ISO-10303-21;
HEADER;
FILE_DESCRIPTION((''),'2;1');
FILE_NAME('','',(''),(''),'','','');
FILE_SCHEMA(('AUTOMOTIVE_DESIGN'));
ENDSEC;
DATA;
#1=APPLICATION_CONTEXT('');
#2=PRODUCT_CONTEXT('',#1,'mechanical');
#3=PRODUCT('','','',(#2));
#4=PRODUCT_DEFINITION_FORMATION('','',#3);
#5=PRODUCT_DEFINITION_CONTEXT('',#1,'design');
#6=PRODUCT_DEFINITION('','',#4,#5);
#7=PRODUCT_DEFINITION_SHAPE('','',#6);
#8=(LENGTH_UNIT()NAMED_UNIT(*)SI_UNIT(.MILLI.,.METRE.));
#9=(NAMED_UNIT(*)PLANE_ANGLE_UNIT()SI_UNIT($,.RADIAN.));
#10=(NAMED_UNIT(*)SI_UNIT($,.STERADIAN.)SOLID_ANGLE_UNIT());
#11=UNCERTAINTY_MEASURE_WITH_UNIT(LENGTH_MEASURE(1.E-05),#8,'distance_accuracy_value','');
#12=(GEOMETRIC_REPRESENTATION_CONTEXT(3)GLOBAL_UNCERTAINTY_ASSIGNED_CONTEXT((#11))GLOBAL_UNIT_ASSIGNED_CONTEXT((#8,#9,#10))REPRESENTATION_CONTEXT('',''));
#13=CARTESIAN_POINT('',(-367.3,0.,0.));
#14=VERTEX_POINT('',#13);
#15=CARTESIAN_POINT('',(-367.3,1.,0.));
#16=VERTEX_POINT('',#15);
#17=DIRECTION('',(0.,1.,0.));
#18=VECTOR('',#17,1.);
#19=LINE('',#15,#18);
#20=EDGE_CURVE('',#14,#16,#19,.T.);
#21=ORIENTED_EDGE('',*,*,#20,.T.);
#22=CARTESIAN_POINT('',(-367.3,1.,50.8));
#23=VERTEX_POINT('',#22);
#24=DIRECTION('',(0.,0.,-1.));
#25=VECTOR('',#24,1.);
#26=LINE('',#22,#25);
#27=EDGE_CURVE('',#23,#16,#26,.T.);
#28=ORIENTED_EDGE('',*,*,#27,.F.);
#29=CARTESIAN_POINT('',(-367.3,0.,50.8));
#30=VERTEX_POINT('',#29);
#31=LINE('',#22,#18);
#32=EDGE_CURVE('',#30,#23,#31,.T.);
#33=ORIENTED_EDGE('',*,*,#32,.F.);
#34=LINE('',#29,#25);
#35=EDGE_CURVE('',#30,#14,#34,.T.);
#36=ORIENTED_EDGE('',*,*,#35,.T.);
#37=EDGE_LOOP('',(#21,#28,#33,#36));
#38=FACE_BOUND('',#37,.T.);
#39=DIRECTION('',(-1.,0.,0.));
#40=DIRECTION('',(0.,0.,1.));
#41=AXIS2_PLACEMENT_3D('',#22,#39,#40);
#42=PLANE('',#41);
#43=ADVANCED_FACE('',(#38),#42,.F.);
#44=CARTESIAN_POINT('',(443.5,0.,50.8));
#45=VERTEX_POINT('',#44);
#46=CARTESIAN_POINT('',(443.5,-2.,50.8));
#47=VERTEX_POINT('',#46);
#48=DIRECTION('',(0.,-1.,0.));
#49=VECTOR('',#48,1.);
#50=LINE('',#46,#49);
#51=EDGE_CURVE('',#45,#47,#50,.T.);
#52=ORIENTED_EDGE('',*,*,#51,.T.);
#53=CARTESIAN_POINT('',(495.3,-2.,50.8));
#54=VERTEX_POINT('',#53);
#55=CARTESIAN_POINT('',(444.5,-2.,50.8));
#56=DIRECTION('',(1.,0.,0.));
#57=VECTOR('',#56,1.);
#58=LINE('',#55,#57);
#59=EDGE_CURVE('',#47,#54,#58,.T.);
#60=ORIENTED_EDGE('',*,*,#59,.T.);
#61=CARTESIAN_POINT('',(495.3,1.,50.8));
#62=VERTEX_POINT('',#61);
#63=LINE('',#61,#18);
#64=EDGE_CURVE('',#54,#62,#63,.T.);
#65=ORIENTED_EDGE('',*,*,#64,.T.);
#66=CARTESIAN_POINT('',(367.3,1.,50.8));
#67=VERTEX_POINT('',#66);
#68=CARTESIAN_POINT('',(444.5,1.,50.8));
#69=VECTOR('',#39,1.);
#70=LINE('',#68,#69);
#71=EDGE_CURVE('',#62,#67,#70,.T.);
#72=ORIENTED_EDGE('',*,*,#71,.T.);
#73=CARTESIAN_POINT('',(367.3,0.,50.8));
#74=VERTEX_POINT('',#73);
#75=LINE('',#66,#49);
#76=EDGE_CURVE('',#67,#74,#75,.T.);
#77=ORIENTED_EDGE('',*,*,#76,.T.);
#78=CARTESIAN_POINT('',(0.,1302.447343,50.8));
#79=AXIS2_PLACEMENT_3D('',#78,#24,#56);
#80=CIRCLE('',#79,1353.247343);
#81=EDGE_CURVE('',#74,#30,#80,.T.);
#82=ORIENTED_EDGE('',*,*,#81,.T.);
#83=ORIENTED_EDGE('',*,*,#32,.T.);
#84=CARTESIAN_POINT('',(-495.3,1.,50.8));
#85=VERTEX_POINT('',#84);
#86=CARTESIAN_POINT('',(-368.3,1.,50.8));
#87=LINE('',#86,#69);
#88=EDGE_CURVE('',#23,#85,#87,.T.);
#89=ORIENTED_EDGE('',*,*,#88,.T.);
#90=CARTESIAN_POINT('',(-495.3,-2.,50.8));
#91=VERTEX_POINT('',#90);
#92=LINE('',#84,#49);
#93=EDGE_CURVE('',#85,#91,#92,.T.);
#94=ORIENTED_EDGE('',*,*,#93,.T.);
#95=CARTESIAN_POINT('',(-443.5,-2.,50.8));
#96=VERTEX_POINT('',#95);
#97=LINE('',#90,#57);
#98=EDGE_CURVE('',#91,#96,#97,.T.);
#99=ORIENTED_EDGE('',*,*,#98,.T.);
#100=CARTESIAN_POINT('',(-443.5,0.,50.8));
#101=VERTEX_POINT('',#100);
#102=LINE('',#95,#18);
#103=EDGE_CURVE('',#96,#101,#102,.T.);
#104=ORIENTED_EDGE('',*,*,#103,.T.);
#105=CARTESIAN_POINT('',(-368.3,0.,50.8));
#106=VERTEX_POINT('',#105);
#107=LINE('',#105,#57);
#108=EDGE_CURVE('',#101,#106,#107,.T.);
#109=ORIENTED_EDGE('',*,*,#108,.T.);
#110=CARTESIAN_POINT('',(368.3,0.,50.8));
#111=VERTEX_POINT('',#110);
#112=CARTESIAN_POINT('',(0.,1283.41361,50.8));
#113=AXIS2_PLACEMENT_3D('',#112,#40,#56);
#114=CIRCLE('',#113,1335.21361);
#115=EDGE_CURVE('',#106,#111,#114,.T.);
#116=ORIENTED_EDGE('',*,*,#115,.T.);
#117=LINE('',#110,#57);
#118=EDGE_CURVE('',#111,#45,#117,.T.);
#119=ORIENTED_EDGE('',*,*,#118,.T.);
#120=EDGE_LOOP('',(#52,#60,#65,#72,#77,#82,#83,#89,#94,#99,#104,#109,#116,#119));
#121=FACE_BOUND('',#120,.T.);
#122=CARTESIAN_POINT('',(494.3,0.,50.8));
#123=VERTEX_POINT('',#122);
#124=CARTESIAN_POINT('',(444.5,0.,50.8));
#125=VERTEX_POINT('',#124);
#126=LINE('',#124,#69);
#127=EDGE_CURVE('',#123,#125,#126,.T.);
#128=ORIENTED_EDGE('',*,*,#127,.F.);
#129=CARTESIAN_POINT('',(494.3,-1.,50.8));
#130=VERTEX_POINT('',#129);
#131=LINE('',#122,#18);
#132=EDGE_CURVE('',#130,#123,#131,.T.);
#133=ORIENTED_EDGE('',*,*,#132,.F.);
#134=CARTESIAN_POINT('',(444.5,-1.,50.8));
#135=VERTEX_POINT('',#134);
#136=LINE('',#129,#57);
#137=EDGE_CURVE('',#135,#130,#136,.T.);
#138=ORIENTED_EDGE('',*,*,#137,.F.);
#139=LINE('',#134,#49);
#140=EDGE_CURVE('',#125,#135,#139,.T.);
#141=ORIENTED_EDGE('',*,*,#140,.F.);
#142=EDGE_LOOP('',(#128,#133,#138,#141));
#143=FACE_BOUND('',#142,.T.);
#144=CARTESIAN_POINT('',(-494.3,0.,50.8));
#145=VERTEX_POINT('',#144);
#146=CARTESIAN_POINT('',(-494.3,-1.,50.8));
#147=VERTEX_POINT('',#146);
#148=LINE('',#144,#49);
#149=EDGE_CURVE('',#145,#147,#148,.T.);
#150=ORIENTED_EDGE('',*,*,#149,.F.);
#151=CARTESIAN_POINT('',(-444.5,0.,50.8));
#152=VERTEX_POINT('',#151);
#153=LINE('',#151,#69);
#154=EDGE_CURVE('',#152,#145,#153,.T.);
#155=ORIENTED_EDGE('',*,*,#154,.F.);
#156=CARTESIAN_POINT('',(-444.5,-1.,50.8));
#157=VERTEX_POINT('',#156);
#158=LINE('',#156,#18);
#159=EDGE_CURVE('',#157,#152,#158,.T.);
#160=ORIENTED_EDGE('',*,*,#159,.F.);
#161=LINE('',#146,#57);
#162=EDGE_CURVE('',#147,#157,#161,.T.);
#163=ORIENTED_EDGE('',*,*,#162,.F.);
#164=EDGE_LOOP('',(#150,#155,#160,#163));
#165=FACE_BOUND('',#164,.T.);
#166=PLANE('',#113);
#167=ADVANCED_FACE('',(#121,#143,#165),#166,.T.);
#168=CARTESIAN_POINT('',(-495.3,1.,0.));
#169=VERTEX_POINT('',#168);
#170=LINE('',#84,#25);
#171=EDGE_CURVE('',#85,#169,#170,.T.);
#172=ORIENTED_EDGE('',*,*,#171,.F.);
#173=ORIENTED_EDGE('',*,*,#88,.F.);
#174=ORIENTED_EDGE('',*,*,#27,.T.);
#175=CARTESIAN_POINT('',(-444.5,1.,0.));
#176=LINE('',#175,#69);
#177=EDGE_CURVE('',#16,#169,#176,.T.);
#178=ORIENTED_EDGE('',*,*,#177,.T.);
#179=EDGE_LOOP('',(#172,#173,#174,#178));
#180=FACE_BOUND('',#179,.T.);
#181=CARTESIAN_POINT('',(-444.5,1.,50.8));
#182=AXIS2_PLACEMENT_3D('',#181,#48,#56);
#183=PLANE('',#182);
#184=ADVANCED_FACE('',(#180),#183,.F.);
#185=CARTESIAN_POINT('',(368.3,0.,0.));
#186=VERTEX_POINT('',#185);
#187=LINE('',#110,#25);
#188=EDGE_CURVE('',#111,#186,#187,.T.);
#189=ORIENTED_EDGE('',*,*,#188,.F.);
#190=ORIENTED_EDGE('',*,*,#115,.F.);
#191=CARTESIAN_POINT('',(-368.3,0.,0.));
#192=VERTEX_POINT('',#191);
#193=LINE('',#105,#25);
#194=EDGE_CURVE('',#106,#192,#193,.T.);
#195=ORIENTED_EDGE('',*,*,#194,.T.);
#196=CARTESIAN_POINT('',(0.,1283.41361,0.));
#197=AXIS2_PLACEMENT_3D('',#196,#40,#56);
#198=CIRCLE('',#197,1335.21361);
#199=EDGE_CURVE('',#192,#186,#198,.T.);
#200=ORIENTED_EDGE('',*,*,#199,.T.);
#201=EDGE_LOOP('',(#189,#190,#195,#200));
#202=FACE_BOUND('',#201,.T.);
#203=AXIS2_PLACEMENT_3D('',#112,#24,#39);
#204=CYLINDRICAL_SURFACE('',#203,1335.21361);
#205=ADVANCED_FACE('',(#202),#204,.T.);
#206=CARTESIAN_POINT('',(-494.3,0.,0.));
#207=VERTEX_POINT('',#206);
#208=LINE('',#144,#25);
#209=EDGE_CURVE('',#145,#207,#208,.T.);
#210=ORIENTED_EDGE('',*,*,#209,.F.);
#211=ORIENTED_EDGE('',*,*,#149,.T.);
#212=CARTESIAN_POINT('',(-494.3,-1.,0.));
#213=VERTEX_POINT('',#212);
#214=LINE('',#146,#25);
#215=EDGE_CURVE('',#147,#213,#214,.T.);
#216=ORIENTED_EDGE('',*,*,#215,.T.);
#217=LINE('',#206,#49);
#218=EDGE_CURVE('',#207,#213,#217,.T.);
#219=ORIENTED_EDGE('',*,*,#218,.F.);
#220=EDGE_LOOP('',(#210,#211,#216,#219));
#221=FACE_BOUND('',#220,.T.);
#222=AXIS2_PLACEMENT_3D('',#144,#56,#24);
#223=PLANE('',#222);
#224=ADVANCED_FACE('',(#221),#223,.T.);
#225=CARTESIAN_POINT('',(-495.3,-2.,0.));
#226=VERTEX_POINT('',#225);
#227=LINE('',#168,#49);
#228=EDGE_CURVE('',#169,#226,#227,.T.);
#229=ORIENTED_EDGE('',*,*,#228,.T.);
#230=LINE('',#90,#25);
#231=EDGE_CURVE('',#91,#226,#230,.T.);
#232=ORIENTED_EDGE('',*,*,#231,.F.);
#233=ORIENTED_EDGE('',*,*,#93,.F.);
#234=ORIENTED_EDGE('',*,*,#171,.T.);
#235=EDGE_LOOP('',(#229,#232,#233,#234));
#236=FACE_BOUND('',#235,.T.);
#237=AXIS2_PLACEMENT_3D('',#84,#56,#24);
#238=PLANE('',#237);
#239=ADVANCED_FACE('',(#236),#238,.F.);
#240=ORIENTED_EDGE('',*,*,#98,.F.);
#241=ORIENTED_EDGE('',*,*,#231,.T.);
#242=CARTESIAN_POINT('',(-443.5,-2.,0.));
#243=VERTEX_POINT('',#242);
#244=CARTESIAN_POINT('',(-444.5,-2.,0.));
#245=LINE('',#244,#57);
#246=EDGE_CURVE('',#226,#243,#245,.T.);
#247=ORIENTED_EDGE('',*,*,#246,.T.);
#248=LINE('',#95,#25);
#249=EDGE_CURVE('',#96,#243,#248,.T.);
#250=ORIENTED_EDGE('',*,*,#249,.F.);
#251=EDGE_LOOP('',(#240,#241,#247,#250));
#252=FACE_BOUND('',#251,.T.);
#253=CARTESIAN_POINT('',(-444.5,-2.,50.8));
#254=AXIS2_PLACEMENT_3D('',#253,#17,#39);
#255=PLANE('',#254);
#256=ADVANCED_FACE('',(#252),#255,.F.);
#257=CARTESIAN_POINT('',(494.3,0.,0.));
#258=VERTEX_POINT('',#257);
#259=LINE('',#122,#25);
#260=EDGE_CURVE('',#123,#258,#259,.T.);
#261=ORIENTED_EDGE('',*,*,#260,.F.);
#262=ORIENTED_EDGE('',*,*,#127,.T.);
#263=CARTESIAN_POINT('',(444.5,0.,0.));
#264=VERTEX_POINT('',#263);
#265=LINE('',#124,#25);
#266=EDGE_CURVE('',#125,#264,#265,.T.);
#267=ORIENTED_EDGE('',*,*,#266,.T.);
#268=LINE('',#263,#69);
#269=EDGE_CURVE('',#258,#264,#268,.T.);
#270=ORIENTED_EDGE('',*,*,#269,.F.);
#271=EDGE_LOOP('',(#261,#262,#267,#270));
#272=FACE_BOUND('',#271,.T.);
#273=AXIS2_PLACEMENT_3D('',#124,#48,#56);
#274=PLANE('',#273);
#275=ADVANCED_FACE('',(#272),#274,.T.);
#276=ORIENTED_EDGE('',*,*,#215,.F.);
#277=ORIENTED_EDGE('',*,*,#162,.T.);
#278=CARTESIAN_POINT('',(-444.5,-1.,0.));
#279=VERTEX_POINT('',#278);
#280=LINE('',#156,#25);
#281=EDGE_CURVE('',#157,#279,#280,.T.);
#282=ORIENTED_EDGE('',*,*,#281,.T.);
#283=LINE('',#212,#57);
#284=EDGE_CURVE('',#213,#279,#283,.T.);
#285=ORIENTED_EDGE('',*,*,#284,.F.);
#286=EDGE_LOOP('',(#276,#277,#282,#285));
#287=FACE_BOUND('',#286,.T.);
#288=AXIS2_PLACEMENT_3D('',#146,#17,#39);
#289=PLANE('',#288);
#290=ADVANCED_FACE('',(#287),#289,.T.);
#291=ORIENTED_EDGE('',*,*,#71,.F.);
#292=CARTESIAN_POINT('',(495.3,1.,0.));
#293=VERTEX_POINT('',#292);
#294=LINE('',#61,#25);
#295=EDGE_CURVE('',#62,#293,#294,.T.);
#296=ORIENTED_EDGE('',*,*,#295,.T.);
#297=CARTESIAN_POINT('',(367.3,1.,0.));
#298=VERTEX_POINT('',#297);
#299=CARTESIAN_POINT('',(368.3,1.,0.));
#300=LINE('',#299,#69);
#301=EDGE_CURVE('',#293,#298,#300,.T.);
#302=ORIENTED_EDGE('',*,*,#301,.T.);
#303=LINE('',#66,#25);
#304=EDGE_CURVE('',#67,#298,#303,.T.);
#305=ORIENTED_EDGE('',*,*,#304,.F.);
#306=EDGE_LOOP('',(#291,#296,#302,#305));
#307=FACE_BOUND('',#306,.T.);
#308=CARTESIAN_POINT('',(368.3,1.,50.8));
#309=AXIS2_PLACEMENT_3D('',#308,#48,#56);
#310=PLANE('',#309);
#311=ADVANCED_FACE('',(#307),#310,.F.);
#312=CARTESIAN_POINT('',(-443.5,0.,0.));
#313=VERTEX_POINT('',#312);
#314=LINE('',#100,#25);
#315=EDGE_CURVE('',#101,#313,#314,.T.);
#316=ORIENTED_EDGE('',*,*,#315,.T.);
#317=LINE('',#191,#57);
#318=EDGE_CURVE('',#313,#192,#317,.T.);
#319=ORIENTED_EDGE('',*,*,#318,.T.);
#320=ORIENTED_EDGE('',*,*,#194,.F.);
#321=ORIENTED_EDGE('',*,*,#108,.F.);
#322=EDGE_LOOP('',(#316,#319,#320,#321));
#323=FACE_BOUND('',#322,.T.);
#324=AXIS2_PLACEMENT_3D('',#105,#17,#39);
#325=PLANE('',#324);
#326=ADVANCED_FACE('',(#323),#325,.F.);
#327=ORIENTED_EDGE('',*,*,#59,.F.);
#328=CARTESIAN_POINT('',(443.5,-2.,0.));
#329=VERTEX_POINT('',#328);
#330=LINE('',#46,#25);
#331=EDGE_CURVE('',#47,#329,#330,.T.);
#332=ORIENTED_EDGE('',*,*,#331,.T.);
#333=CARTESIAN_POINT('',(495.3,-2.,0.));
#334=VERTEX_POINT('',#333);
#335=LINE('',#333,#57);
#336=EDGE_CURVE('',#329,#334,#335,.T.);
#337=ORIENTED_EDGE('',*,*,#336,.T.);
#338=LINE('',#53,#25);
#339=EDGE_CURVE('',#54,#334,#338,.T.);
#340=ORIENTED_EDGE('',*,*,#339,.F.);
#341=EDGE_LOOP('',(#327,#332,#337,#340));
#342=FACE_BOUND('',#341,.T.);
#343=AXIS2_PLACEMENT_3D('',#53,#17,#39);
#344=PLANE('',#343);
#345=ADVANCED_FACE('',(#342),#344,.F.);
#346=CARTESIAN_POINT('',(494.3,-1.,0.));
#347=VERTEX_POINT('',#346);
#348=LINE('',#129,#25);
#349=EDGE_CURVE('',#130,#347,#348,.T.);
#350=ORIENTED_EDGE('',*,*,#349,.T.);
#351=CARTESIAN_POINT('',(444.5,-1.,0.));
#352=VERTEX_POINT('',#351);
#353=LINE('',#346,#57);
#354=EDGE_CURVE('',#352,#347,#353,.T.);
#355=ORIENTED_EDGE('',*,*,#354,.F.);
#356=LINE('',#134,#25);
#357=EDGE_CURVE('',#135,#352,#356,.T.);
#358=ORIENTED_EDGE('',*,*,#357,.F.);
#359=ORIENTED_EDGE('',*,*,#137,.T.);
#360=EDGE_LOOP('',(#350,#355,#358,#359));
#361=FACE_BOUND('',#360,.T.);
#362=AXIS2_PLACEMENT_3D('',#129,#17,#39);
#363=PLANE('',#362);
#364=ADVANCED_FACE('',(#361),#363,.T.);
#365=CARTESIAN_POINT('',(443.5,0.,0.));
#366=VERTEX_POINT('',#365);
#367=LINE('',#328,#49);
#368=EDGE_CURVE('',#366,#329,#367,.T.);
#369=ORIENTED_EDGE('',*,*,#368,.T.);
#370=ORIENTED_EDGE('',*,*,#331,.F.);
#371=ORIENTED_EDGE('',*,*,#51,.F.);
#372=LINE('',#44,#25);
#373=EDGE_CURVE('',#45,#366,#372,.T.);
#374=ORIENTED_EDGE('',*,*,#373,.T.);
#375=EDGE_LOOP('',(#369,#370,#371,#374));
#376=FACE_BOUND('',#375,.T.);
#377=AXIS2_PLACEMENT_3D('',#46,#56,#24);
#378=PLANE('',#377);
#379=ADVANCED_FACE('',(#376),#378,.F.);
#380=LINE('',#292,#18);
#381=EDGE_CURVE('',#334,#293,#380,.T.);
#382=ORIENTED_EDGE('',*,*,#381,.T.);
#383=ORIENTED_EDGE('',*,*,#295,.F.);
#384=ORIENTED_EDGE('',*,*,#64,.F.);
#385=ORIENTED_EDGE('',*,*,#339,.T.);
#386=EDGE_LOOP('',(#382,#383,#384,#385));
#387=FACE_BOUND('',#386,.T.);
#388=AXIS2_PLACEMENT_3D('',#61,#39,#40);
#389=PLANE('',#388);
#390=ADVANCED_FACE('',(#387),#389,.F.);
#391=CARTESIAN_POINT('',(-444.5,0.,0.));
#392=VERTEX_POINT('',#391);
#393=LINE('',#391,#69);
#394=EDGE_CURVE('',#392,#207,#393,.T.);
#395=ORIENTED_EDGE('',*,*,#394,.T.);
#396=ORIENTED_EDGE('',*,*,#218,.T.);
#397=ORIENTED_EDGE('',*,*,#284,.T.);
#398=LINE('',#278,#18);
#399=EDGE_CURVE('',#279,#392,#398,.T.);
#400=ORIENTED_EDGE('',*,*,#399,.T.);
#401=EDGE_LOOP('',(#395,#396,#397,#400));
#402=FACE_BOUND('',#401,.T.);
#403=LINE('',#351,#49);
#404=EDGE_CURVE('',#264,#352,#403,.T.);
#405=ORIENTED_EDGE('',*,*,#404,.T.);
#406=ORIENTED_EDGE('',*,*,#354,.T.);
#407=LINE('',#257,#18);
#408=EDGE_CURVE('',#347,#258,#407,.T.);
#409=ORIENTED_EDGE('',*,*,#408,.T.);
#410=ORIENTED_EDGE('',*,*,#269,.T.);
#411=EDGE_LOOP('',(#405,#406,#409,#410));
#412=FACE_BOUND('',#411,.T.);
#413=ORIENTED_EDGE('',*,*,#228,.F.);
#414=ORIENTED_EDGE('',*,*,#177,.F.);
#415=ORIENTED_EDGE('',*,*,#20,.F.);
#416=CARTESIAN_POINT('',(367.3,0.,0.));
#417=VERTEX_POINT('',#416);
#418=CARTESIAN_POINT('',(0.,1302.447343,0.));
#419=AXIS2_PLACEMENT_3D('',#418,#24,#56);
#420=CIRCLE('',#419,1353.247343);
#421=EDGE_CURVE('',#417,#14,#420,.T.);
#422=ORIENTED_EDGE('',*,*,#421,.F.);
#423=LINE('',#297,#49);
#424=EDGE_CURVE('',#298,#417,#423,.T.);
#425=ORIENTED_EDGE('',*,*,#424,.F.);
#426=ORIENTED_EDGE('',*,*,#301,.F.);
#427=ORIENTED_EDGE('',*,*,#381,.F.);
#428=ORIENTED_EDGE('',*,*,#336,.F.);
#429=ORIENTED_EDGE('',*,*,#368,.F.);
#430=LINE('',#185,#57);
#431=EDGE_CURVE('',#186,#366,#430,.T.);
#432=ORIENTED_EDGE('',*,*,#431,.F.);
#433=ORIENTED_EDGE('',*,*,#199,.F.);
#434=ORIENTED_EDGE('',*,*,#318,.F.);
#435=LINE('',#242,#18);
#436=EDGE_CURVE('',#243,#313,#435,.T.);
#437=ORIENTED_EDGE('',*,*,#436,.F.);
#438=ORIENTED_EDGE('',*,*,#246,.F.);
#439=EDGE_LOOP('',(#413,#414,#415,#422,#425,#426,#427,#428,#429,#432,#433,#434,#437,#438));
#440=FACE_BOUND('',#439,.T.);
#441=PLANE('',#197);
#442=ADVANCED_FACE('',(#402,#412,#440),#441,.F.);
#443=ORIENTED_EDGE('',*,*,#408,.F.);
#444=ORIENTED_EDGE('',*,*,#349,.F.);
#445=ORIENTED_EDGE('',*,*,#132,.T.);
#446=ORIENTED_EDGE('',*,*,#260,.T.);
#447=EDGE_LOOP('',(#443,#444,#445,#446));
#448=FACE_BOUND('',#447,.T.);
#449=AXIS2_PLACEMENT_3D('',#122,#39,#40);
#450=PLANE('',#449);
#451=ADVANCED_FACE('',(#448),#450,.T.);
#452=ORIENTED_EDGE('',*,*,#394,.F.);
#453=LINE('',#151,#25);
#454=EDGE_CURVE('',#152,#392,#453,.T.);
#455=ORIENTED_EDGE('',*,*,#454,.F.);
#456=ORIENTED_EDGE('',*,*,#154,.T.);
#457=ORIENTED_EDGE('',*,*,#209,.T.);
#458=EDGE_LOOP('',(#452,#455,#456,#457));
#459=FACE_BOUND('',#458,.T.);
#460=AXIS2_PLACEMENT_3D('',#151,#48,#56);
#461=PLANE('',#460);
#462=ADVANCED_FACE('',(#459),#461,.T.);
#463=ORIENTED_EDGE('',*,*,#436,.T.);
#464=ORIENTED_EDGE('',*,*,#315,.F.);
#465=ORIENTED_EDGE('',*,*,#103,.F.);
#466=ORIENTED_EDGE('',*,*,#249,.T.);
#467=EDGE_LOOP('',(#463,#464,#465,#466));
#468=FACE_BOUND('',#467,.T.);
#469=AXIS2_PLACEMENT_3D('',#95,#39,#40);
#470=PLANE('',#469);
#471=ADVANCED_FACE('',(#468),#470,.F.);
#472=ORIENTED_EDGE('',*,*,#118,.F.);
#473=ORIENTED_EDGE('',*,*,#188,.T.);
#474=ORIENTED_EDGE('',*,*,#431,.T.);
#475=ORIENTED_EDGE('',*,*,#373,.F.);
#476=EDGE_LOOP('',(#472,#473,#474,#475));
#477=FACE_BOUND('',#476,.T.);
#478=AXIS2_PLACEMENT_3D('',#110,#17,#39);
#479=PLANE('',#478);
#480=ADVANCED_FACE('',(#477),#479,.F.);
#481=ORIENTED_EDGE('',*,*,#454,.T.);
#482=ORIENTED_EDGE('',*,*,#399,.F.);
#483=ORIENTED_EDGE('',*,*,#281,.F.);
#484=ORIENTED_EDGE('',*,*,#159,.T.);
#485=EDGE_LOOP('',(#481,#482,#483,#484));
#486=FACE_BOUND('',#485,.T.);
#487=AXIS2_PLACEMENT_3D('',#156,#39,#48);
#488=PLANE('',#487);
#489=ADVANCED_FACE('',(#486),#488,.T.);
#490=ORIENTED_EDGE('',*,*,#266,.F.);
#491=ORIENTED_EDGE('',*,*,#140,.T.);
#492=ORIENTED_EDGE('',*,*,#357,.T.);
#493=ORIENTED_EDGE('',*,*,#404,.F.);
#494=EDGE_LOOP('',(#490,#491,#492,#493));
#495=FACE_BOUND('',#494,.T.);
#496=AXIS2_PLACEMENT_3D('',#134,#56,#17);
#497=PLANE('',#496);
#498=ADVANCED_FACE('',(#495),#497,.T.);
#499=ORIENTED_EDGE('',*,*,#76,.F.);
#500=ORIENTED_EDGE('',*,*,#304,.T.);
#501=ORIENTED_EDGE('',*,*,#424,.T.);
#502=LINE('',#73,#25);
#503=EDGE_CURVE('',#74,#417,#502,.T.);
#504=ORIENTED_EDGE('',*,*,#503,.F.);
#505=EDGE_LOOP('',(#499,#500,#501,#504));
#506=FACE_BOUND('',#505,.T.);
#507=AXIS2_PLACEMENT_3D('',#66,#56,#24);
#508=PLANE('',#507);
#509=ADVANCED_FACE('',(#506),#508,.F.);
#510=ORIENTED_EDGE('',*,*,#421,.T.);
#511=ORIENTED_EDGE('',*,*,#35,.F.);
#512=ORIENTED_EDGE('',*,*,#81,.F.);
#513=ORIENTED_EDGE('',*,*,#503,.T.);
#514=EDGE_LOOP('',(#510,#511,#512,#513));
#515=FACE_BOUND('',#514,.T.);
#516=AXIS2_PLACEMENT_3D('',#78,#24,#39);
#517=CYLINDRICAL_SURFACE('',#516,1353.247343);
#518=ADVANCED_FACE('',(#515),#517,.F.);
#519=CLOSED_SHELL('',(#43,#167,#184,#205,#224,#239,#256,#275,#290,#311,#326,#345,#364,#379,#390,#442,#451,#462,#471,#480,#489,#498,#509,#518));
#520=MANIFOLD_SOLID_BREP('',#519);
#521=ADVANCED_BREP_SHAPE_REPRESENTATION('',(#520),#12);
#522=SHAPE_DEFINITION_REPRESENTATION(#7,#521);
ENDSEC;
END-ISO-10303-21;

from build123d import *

# Parameters (mm, degrees)
SKETCH1_W           = 49.8
SKETCH1_H           = 1
BOSS_EXTRUDE1_DEPTH = 50.8


with BuildPart() as part:
    # Sketch1 → Boss-Extrude1 (new body)
    with BuildSketch(Plane.XY):
        with BuildLine():
            Line((-444.5, 1), (-495.3, 1))
            Line((-495.3, 1), (-495.3, -2))
            Line((-495.3, -2), (-444.5, -2))
            Line((-444.5, -2), (-443.5, -2))
            Line((-443.5, -2), (-443.5, 0))
            Line((-443.5, 0), (-368.3, 0))
            ThreePointArc((-368.3, 0), (0, -51.8), (368.3, 0))
            Line((368.3, 0), (443.5, 0))
            Line((443.5, 0), (443.5, -2))
            Line((443.5, -2), (444.5, -2))
            Line((444.5, -2), (495.3, -2))
            Line((495.3, -2), (495.3, 1))
            Line((495.3, 1), (444.5, 1))
            Line((444.5, 1), (368.3, 1))
            Line((368.3, 1), (367.3, 1))
            Line((367.3, 1), (367.3, 0))
            ThreePointArc((367.3, 0), (0, -50.8), (-367.3, 0))
            Line((-367.3, 0), (-367.3, 1))
            Line((-367.3, 1), (-368.3, 1))
            Line((-368.3, 1), (-444.5, 1))
        make_face()
        with Locations((-469.4, -0.5)):
            Rectangle(SKETCH1_W, SKETCH1_H, mode=Mode.SUBTRACT)
        with Locations((469.4, -0.5)):
            Rectangle(SKETCH1_W, SKETCH1_H, mode=Mode.SUBTRACT)
    extrude(amount=BOSS_EXTRUDE1_DEPTH)


solid = part.part
